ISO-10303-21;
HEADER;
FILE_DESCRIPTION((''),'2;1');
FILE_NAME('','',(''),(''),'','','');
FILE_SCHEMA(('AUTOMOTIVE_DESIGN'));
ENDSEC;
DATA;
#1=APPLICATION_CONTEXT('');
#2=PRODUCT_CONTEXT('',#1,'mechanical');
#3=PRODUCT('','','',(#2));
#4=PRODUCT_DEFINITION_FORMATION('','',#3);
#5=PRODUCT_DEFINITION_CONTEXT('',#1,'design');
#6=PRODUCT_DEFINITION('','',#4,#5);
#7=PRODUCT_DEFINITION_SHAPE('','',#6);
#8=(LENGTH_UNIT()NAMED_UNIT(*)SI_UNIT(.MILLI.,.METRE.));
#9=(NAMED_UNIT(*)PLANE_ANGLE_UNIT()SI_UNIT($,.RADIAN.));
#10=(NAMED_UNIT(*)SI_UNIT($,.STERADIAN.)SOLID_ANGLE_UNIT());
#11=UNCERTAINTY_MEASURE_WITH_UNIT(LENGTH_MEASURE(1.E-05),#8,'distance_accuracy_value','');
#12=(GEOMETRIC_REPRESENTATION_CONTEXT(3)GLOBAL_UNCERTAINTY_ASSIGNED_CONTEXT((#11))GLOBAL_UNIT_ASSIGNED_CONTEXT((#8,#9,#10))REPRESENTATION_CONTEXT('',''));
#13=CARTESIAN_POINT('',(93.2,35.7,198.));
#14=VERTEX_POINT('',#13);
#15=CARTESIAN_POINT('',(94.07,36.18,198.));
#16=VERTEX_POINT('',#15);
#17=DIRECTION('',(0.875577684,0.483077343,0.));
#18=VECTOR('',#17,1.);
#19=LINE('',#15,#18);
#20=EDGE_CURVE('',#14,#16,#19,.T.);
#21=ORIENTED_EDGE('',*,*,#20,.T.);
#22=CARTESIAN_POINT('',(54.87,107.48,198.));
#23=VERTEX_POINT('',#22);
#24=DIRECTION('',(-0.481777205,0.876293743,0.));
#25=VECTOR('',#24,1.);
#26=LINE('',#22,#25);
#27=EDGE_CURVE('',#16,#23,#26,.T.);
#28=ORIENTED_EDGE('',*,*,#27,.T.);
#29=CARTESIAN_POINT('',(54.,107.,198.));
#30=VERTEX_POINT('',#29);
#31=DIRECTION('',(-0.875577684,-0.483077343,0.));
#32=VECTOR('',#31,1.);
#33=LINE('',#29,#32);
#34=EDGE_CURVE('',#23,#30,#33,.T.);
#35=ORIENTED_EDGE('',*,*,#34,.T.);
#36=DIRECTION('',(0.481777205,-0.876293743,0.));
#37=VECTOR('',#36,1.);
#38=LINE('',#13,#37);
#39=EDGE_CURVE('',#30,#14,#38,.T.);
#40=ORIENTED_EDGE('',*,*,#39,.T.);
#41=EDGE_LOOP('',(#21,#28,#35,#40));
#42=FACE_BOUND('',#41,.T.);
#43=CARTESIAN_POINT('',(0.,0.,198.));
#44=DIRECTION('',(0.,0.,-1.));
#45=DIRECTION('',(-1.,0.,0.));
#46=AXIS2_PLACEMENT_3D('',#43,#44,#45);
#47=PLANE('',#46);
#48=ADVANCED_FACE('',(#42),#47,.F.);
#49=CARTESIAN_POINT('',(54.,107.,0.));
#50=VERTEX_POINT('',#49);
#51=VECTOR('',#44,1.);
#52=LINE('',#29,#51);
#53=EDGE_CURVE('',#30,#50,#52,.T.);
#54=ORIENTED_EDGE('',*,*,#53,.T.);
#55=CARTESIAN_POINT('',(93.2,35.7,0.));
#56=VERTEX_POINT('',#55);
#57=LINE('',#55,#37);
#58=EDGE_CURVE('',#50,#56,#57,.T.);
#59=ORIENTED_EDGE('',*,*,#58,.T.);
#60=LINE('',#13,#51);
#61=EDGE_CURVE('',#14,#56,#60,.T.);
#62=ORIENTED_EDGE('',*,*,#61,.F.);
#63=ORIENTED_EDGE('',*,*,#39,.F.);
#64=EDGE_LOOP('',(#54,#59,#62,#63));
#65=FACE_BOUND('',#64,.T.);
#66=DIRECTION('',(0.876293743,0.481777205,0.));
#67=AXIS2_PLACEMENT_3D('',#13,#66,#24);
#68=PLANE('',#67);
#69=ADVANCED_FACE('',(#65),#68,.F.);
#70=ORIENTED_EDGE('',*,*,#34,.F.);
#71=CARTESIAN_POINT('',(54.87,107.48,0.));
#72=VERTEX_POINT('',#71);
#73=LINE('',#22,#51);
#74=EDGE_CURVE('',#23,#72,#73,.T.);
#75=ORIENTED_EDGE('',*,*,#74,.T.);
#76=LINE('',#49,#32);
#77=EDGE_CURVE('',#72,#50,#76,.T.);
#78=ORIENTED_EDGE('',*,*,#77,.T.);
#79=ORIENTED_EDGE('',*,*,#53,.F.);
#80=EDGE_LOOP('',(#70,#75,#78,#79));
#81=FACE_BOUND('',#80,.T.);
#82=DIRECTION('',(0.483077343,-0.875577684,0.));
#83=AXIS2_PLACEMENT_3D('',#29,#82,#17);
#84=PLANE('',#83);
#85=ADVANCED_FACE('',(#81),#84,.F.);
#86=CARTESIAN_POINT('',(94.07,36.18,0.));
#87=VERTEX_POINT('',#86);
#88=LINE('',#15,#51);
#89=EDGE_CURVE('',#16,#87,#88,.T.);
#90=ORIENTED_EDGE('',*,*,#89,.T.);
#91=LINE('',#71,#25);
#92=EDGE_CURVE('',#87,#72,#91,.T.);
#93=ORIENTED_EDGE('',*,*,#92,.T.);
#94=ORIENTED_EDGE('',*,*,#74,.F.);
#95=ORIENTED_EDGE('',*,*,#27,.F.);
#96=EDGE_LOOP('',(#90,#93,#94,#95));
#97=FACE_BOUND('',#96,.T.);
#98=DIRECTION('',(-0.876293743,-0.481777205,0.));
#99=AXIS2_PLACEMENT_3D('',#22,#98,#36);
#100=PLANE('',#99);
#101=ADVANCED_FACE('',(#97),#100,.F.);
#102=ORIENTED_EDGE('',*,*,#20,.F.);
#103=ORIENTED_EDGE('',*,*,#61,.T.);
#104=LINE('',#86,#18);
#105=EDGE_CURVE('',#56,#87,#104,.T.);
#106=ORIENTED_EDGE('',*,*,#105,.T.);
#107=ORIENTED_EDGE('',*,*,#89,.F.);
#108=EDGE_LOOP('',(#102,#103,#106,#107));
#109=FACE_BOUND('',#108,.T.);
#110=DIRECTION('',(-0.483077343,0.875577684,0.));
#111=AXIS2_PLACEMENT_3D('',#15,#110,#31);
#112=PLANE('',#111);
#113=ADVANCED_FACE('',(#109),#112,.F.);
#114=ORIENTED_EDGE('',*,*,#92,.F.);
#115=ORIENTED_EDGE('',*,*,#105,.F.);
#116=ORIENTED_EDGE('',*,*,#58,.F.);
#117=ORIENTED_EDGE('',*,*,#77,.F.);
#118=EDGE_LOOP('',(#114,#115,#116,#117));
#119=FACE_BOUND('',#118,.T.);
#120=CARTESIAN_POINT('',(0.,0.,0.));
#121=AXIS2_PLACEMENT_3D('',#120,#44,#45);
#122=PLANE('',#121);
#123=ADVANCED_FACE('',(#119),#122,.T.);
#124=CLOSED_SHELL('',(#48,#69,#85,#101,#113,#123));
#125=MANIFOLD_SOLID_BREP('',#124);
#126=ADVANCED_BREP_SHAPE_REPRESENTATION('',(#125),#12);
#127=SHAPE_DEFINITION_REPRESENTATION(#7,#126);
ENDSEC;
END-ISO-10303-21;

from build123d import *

# Parameters (mm, degrees)
SLOPING_FRONT_CLOSURE_DEPTH = 198


with BuildPart() as part:
    # Sloping front closure profile → Sloping front closure (new body)
    with BuildSketch(Plane.XY):
        Polygon((54, 107), (54.87, 107.48), (94.07, 36.18), (93.2, 35.7), align=None)
    extrude(amount=SLOPING_FRONT_CLOSURE_DEPTH)


solid = part.part
